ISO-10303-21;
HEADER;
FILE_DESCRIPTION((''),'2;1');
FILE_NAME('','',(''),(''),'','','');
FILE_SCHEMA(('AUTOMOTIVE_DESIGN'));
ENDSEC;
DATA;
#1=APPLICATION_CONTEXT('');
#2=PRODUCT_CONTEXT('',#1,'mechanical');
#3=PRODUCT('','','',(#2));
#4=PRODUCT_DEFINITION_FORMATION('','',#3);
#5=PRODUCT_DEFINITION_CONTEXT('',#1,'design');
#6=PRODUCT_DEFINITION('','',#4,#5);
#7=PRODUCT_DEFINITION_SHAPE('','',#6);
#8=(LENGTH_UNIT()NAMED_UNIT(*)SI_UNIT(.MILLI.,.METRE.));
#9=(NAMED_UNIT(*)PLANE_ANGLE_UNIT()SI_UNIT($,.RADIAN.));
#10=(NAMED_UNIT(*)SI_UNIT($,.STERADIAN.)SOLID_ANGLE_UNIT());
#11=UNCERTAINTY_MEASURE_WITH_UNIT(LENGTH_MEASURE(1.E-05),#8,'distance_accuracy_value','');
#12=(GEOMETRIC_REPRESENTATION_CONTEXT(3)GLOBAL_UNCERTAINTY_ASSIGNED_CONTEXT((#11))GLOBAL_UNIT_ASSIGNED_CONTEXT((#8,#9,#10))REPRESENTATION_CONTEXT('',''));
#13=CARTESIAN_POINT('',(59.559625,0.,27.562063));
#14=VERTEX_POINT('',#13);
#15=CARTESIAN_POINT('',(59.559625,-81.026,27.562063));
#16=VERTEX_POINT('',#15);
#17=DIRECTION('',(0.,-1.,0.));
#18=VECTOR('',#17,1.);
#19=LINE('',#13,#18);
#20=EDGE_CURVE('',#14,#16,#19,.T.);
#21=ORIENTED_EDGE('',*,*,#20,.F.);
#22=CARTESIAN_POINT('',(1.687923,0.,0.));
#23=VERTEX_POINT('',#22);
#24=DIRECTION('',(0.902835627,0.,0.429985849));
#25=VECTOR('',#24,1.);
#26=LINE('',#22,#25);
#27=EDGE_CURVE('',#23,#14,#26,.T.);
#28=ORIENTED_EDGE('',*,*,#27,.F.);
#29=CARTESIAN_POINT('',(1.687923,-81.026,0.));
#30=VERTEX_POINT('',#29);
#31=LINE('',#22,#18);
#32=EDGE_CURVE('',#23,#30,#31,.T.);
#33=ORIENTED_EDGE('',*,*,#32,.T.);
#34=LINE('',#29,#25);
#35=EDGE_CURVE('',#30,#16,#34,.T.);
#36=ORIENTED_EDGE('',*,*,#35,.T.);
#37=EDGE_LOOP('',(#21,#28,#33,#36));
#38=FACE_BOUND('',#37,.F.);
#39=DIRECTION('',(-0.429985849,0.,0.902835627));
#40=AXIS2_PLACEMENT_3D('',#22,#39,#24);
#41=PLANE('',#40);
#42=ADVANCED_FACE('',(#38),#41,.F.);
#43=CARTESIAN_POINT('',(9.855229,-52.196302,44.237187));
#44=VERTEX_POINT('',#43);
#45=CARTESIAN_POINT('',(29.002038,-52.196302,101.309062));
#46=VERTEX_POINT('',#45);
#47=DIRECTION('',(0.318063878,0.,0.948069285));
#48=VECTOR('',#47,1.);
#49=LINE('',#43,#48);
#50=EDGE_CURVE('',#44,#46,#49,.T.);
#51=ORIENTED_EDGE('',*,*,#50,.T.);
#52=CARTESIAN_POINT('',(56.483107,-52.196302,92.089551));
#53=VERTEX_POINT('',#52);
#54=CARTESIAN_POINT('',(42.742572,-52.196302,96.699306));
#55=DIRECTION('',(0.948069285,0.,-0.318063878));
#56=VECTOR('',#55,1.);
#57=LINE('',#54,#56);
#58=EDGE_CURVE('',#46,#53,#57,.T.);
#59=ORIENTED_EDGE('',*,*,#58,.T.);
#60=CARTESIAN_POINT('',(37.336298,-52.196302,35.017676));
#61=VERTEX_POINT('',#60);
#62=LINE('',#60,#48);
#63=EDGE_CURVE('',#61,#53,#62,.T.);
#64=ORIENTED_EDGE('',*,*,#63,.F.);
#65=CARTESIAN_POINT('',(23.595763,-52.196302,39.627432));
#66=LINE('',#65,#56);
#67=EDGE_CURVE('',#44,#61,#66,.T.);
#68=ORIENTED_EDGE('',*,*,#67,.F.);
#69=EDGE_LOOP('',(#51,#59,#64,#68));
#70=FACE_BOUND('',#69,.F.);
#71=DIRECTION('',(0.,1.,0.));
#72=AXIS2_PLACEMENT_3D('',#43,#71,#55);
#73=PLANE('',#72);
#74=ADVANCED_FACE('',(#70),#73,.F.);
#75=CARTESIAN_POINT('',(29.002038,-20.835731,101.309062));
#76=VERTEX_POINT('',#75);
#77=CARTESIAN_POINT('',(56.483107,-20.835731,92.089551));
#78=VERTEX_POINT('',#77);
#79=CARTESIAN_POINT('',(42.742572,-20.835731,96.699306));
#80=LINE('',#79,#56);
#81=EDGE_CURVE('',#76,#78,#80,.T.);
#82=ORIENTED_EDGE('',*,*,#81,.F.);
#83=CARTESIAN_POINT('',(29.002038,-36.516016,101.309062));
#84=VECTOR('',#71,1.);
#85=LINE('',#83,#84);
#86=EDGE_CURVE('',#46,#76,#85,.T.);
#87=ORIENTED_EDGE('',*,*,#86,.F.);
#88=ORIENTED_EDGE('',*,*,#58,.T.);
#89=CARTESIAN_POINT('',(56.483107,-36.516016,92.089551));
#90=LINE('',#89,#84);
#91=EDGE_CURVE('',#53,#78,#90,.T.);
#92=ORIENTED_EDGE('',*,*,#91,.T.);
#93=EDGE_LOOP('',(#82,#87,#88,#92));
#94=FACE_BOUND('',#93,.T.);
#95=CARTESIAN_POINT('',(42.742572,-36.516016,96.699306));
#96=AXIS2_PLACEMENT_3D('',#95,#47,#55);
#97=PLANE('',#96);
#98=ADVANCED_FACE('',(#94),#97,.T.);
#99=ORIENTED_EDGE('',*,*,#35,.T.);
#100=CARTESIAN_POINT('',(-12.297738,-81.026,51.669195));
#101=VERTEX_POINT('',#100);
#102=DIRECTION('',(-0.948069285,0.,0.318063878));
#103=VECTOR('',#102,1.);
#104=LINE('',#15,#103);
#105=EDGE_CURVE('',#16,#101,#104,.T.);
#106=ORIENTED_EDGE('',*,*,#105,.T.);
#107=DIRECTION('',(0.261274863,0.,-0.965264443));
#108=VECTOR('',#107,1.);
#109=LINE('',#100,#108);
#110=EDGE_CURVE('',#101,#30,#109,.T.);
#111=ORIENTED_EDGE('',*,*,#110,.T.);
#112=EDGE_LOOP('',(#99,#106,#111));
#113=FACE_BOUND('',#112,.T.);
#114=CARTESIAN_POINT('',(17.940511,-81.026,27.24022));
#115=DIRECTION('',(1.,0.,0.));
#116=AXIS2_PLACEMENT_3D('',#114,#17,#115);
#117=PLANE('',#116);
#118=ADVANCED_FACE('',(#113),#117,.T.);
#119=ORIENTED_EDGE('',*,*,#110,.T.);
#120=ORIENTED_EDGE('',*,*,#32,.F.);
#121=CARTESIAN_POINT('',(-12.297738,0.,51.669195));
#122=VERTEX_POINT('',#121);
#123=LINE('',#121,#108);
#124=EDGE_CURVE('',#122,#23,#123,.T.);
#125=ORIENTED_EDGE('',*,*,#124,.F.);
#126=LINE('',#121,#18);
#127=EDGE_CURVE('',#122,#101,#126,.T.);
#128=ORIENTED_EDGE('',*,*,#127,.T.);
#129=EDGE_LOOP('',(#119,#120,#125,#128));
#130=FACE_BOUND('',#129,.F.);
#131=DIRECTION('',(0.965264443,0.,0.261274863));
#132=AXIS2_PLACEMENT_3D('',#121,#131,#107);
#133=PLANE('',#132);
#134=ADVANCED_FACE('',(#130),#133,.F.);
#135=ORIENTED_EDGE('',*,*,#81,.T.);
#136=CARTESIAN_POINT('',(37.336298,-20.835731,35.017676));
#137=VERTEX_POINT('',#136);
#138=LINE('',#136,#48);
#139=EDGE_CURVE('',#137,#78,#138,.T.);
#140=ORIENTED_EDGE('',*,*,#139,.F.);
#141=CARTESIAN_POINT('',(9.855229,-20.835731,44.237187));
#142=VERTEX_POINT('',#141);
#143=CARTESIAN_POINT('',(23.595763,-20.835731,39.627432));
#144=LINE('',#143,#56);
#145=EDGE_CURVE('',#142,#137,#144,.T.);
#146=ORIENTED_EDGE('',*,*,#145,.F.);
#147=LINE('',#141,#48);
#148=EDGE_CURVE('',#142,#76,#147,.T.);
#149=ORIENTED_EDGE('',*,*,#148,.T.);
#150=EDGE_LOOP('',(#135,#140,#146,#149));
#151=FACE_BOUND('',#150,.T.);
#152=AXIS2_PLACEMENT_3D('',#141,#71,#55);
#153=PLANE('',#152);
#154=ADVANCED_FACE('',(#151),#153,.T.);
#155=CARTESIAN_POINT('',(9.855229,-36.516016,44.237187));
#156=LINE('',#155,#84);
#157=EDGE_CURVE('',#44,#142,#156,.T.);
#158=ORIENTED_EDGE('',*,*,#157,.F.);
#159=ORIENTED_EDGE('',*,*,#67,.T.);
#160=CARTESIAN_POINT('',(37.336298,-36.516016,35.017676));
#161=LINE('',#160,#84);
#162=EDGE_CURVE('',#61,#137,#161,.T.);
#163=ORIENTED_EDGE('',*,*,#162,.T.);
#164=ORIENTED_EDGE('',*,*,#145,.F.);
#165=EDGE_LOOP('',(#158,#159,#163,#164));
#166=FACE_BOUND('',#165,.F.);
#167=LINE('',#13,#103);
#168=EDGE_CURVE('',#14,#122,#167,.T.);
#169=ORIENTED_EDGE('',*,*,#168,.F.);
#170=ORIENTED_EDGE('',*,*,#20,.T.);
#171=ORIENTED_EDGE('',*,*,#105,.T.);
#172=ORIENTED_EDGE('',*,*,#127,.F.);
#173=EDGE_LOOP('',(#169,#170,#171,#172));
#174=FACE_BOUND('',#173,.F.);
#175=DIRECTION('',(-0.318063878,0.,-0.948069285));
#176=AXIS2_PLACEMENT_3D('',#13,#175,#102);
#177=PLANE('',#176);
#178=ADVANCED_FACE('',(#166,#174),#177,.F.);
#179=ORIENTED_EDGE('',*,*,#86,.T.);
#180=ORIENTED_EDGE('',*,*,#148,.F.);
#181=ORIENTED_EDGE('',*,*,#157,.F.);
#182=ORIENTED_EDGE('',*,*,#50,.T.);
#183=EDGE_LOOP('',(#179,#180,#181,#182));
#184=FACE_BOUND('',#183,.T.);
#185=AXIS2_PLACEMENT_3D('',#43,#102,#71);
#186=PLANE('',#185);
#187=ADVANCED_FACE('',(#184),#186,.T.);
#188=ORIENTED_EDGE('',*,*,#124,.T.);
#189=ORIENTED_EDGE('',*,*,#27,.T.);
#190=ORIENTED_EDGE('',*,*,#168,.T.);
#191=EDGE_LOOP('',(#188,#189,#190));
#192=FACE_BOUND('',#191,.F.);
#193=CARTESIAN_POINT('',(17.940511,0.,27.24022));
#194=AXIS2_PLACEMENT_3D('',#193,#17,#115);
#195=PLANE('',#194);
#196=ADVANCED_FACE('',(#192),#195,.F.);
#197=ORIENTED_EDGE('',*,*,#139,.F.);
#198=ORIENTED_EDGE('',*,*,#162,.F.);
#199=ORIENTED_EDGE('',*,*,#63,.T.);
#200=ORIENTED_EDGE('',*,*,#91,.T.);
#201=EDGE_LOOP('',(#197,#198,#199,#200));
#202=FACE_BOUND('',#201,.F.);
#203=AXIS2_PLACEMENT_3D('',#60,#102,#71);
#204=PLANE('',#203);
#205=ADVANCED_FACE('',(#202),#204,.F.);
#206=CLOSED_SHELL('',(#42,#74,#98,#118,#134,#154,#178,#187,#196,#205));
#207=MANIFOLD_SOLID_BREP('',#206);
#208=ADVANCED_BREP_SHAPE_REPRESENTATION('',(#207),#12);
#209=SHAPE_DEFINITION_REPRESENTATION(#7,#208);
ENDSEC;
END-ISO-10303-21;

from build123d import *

# Parameters (mm, degrees)
F1_DEPTH = 81.026
F2_W     = 28.9863510989
F2_H     = 31.3605703413
F3_DEPTH = 60.198


with BuildPart() as f1:
    # F0 (on Front) → F1 (new body)
    with BuildSketch(Plane.XZ):
        Polygon((-12.2977383435, 51.6691952944), (1.6879233299, 0), (59.5596246421, 27.5620631874), align=None)
    extrude(amount=F1_DEPTH)

    # F2 (on face) → F3 (join)
    with BuildSketch(Plane(origin=(14.3365736593, 0, 42.733759156), x_dir=(0.9480692853, 0, -0.3180638776), z_dir=(0.3180638776, 0, 0.9480692853))):
        with Locations((9.7663637716, -36.5160163492)):
            Rectangle(F2_W, F2_H)
    extrude(amount=F3_DEPTH)


solid = f1.part
